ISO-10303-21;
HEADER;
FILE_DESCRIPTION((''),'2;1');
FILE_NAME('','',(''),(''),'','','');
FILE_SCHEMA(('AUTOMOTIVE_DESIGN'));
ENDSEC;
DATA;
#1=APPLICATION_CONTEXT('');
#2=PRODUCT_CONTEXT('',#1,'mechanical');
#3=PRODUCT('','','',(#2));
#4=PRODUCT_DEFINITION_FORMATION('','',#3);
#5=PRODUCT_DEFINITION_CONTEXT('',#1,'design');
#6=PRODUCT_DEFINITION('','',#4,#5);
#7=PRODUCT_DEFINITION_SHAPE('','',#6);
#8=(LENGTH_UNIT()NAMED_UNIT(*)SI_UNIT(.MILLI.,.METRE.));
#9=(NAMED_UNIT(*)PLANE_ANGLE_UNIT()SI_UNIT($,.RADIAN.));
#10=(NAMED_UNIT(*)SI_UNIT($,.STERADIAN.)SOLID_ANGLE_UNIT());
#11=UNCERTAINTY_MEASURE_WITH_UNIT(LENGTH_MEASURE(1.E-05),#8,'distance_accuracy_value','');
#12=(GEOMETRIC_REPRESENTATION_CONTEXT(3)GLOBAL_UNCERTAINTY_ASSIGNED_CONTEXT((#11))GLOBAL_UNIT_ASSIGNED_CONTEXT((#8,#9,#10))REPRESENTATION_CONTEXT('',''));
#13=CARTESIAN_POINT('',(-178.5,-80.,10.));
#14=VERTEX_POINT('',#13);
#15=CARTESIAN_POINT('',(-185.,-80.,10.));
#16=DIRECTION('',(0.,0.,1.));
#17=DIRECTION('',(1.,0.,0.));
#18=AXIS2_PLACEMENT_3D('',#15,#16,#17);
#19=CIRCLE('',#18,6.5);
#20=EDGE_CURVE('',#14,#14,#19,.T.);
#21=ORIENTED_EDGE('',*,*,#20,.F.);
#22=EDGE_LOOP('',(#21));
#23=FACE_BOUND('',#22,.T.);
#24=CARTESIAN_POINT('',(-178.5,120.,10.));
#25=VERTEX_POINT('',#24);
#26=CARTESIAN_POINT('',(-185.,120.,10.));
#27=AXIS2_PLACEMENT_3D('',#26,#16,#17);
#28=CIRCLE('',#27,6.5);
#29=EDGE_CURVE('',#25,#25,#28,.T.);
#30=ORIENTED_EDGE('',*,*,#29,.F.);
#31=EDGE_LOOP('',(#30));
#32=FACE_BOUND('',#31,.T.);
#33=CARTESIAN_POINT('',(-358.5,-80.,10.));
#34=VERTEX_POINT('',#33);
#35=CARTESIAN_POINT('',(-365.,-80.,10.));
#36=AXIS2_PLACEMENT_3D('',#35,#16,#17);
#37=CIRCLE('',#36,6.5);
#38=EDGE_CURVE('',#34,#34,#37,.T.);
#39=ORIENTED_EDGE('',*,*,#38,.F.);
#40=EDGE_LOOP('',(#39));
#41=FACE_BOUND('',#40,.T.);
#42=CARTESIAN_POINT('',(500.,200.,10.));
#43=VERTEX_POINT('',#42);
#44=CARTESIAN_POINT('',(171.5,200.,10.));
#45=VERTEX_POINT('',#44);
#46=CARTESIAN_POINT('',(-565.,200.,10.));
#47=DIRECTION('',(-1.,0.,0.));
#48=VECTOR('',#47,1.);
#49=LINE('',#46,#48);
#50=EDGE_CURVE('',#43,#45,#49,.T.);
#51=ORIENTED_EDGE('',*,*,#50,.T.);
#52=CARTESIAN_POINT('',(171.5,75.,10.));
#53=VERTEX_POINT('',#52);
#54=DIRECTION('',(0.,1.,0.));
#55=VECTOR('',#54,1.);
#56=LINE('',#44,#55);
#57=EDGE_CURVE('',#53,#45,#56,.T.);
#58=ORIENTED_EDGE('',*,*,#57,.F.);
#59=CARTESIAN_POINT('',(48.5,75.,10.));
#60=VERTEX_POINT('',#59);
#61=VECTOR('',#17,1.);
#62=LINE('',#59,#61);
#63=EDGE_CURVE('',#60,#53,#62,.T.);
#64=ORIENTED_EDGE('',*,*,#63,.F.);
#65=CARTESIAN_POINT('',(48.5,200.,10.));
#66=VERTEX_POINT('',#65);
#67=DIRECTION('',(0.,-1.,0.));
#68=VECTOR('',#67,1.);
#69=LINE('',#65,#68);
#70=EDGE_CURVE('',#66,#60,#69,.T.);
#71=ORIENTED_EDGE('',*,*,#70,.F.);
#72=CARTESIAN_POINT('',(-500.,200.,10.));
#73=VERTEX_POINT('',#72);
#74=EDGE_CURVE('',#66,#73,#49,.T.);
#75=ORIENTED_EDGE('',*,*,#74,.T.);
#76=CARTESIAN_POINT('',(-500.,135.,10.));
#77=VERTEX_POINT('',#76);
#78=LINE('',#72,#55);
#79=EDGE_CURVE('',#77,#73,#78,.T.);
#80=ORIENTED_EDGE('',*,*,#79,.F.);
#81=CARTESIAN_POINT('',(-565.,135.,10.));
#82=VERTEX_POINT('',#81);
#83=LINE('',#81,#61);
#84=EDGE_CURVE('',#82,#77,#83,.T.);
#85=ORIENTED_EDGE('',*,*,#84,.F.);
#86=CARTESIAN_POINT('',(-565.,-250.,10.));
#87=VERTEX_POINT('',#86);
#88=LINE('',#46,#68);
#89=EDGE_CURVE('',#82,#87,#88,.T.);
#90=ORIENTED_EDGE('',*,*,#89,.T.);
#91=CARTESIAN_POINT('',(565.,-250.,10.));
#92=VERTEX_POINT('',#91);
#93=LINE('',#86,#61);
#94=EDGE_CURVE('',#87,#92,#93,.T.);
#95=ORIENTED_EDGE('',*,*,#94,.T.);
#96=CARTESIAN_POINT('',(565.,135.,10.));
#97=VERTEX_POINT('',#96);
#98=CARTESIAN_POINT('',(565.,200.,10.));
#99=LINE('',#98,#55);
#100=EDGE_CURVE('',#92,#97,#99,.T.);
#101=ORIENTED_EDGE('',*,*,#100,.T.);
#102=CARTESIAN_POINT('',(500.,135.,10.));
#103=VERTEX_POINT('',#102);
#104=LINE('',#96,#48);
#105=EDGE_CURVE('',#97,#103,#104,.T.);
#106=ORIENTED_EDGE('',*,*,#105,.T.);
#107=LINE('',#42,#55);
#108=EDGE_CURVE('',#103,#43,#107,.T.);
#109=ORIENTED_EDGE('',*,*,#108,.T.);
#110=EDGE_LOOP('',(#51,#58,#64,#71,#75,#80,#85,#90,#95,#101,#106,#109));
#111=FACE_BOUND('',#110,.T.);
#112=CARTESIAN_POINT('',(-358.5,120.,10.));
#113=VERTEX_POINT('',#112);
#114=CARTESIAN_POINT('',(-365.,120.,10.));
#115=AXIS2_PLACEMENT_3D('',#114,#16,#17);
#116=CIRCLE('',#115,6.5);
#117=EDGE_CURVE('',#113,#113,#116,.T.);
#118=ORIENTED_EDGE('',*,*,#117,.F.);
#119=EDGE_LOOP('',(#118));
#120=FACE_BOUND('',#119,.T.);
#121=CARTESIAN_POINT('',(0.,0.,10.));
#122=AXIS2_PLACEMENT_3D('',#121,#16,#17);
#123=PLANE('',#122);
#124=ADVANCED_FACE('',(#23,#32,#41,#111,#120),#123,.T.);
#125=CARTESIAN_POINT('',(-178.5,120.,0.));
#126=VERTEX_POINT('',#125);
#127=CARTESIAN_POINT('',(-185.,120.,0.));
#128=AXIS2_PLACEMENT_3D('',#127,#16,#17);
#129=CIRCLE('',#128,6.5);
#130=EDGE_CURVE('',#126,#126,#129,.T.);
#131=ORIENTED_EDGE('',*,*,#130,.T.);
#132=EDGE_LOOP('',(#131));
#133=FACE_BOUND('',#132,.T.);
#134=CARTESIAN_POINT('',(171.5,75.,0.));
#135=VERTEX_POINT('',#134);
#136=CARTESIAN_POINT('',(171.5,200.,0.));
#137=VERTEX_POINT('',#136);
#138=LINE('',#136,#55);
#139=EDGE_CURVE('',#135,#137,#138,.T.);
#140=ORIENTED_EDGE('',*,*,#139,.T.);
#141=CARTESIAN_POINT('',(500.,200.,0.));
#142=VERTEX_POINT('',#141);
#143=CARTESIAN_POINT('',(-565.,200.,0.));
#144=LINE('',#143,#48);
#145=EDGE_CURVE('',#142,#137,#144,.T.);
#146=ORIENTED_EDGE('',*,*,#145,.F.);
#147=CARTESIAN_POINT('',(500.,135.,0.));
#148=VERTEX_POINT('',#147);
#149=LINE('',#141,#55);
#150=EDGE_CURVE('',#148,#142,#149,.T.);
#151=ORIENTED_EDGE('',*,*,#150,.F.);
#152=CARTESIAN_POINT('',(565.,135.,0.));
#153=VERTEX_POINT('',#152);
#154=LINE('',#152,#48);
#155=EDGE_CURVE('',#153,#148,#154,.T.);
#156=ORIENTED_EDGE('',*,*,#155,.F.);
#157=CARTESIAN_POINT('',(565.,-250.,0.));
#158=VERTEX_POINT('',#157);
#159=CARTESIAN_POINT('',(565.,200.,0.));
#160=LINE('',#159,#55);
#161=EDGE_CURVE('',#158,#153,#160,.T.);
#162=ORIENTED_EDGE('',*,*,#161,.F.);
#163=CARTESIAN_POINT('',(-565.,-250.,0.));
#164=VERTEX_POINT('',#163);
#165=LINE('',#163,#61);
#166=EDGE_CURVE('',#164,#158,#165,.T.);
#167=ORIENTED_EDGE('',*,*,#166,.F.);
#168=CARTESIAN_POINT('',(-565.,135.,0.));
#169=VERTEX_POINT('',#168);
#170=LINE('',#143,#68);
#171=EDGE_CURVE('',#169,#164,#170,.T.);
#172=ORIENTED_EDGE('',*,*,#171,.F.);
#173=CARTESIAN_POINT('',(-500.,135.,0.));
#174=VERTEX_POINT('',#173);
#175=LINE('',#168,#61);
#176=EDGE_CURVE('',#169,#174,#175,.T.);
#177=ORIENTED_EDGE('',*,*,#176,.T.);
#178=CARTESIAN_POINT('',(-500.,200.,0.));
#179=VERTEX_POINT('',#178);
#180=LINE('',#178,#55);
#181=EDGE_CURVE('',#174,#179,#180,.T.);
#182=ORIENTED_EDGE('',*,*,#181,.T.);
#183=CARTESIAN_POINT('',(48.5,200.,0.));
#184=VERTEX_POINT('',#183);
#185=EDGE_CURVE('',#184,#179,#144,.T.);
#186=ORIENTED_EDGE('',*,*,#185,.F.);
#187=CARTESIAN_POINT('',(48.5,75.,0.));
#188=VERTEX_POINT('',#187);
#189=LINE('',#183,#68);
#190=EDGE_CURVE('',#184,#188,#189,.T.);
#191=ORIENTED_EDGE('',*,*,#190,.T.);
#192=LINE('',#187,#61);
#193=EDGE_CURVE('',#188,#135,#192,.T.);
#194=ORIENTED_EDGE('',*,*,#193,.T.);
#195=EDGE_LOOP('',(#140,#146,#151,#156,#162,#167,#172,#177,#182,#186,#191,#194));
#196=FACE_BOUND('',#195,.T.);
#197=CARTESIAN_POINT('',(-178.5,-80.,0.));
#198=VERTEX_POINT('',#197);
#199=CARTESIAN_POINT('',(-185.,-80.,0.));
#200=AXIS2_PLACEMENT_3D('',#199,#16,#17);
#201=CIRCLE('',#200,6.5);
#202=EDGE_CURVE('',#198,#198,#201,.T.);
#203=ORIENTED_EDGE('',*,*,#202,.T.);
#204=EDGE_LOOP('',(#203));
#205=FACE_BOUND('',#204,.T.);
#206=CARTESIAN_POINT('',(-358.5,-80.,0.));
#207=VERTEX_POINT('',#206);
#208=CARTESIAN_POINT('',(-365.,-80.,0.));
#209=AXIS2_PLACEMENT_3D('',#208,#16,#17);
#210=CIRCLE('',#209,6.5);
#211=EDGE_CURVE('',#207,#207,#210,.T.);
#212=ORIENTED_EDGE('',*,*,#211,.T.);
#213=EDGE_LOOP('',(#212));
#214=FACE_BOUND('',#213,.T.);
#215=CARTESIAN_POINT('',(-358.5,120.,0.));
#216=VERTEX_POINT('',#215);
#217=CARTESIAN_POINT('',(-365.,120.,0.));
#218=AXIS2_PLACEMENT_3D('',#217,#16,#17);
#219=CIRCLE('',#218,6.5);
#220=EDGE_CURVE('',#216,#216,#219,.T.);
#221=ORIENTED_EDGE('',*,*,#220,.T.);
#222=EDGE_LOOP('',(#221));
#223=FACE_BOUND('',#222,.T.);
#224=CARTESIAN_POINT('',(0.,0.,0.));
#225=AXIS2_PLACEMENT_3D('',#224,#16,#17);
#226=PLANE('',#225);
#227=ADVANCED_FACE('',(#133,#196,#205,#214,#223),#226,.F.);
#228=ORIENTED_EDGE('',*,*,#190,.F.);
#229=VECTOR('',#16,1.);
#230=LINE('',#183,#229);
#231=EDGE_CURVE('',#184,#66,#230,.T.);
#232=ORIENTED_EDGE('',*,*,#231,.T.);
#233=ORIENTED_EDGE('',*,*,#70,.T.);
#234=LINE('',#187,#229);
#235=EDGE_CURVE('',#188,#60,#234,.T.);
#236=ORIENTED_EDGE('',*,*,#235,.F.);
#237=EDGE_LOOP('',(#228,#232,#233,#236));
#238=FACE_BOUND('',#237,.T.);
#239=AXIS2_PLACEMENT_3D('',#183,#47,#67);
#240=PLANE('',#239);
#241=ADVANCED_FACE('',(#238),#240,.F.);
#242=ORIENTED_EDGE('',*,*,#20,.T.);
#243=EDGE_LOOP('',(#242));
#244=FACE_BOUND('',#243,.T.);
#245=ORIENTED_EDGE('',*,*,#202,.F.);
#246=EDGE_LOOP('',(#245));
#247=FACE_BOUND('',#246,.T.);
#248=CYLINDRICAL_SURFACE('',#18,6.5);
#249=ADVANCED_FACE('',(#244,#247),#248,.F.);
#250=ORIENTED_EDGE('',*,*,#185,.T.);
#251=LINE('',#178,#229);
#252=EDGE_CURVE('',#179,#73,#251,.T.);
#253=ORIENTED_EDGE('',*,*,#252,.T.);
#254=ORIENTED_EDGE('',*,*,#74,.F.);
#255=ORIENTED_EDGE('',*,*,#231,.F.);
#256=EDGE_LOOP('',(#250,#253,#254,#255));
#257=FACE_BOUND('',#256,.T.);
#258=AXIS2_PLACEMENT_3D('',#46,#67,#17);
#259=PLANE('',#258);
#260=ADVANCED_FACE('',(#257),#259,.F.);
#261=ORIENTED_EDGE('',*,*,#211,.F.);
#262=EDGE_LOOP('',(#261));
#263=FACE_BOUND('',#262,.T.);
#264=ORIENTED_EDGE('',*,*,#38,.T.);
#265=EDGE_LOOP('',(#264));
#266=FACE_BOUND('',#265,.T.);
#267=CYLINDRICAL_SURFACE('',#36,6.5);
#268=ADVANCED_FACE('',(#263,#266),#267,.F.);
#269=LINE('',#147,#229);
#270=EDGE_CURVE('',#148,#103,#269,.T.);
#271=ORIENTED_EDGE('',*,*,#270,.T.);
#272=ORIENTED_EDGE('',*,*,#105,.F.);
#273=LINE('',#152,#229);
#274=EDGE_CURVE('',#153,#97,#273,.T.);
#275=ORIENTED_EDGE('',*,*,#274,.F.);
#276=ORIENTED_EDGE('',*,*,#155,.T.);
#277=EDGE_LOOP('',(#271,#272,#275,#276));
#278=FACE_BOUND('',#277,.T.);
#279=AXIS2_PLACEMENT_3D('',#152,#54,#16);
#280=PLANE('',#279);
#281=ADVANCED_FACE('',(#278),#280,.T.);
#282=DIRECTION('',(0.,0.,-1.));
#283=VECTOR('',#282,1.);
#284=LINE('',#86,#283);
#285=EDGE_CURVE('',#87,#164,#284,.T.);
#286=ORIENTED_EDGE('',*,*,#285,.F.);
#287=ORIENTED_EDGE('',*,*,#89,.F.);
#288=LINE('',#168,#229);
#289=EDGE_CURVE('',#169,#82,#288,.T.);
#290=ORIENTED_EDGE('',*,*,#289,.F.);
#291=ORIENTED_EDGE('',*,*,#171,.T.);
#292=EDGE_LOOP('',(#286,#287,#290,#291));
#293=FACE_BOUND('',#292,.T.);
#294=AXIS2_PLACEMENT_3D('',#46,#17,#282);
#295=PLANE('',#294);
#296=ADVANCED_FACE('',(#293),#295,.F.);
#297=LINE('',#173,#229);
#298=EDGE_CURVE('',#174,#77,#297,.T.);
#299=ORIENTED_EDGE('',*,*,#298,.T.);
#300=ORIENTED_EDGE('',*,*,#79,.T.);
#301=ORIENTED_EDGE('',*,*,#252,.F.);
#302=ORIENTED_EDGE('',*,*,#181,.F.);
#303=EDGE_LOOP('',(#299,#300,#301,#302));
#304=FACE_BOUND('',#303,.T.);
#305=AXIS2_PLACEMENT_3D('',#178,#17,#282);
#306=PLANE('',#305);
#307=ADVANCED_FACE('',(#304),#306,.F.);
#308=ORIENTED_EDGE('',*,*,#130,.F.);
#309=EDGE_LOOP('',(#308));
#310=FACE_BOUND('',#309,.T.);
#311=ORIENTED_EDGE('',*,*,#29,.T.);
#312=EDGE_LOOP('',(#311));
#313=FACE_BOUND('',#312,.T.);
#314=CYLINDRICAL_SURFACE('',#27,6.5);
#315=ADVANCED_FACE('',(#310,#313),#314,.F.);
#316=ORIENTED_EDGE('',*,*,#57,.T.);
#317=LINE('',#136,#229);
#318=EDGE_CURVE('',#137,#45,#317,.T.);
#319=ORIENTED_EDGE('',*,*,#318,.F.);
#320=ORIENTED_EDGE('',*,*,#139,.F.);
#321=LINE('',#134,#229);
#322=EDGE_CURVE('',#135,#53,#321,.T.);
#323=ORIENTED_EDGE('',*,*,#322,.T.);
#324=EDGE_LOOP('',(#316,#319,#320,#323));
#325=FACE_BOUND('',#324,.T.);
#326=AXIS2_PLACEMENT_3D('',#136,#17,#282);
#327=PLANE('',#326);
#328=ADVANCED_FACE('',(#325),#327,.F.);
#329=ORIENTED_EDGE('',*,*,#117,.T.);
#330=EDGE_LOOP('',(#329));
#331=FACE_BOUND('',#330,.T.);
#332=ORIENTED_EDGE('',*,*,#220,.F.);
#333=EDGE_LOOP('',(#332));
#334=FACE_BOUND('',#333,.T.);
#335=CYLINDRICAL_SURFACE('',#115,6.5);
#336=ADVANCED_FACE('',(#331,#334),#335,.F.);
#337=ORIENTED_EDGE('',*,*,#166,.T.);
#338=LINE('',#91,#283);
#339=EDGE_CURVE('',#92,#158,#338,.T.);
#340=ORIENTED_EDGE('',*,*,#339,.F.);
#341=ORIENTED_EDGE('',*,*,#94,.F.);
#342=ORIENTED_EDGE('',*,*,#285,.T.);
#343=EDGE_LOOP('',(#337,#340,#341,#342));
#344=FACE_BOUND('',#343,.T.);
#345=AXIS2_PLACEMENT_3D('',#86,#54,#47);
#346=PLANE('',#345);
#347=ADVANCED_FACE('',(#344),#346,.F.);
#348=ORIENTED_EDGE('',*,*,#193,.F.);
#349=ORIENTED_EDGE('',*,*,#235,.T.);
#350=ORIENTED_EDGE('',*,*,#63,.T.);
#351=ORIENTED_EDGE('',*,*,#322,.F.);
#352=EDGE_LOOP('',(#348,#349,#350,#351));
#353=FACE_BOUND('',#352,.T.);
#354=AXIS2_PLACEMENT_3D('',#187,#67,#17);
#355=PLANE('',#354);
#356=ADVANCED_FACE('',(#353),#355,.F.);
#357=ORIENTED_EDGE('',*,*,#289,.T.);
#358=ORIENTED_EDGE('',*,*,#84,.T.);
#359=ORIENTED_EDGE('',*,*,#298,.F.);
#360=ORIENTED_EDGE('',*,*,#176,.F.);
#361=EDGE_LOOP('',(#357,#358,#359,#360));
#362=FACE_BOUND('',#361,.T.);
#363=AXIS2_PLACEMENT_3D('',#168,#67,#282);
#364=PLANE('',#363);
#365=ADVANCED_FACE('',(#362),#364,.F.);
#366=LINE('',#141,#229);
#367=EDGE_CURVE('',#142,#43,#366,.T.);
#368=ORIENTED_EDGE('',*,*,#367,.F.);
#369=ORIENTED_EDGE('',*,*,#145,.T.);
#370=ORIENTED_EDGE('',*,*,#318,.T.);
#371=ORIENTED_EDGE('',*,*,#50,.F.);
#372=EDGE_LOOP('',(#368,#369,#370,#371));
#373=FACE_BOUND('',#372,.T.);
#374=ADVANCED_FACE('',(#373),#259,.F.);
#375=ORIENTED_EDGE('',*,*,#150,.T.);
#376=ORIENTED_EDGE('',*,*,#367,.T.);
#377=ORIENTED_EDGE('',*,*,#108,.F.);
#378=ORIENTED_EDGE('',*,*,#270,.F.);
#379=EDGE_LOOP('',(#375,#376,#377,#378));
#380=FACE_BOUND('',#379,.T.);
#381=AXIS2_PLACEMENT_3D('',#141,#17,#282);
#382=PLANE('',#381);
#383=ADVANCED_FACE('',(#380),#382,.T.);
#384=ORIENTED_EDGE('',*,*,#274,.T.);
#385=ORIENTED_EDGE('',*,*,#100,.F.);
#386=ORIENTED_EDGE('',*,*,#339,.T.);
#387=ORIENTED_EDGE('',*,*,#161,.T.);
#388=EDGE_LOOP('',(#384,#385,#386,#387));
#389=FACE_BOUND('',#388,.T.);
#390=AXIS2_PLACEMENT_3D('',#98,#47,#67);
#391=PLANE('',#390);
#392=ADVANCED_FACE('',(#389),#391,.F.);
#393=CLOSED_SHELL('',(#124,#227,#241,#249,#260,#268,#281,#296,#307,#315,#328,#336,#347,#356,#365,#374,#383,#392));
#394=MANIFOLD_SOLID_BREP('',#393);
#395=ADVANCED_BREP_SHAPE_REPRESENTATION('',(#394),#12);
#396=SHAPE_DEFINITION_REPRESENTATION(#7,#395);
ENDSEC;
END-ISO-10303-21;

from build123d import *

# Parameters (mm, degrees)
SKETCH1_W                  = 1130
SKETCH1_H                  = 450
BOSS_EXTRUDE1_DEPTH        = 10
SKETCH2_W                  = 65
SKETCH2_H                  = 65
CUT_EXTRUDE1_DEPTH         = 11
SKETCH3_W                  = 123
SKETCH3_H                  = 125
CUT_EXTRUDE2_DEPTH         = 11
F_13_0_13_DIAMETER_HOLE1_D = 13


with BuildPart() as part:
    # Sketch1 → Boss-Extrude1 (new body)
    with BuildSketch(Plane.XY):
        with Locations((0, -25)):
            Rectangle(SKETCH1_W, SKETCH1_H)
    extrude(amount=BOSS_EXTRUDE1_DEPTH)

    # Sketch2 → Cut-Extrude1 (cut, through all)
    with BuildSketch(Plane.XY.offset(10)):
        with Locations((-532.5, 167.5)):
            Rectangle(SKETCH2_W, SKETCH2_H)
    cut_extrude1 = extrude(amount=-CUT_EXTRUDE1_DEPTH, mode=Mode.SUBTRACT)

    # Mirror1: Cut-Extrude1 across plane
    add(cut_extrude1.mirror(Plane(origin=(0, 0, 0), x_dir=(0, 0, 1), z_dir=(1, 0, 0))), mode=Mode.SUBTRACT)

    # Sketch3 → Cut-Extrude2 (cut, through all)
    with BuildSketch(Plane.XY.offset(10)):
        with Locations((110, 137.5)):
            Rectangle(SKETCH3_W, SKETCH3_H)
    extrude(amount=-CUT_EXTRUDE2_DEPTH, mode=Mode.SUBTRACT)

    # Ø13.0 (13) Diameter Hole1 (through all)
    with Locations(Plane.XY.offset(10)):
        with Locations((-365, 120), (-185, 120), (-185, -80), (-365, -80)):
            Hole(F_13_0_13_DIAMETER_HOLE1_D / 2)


solid = part.part
